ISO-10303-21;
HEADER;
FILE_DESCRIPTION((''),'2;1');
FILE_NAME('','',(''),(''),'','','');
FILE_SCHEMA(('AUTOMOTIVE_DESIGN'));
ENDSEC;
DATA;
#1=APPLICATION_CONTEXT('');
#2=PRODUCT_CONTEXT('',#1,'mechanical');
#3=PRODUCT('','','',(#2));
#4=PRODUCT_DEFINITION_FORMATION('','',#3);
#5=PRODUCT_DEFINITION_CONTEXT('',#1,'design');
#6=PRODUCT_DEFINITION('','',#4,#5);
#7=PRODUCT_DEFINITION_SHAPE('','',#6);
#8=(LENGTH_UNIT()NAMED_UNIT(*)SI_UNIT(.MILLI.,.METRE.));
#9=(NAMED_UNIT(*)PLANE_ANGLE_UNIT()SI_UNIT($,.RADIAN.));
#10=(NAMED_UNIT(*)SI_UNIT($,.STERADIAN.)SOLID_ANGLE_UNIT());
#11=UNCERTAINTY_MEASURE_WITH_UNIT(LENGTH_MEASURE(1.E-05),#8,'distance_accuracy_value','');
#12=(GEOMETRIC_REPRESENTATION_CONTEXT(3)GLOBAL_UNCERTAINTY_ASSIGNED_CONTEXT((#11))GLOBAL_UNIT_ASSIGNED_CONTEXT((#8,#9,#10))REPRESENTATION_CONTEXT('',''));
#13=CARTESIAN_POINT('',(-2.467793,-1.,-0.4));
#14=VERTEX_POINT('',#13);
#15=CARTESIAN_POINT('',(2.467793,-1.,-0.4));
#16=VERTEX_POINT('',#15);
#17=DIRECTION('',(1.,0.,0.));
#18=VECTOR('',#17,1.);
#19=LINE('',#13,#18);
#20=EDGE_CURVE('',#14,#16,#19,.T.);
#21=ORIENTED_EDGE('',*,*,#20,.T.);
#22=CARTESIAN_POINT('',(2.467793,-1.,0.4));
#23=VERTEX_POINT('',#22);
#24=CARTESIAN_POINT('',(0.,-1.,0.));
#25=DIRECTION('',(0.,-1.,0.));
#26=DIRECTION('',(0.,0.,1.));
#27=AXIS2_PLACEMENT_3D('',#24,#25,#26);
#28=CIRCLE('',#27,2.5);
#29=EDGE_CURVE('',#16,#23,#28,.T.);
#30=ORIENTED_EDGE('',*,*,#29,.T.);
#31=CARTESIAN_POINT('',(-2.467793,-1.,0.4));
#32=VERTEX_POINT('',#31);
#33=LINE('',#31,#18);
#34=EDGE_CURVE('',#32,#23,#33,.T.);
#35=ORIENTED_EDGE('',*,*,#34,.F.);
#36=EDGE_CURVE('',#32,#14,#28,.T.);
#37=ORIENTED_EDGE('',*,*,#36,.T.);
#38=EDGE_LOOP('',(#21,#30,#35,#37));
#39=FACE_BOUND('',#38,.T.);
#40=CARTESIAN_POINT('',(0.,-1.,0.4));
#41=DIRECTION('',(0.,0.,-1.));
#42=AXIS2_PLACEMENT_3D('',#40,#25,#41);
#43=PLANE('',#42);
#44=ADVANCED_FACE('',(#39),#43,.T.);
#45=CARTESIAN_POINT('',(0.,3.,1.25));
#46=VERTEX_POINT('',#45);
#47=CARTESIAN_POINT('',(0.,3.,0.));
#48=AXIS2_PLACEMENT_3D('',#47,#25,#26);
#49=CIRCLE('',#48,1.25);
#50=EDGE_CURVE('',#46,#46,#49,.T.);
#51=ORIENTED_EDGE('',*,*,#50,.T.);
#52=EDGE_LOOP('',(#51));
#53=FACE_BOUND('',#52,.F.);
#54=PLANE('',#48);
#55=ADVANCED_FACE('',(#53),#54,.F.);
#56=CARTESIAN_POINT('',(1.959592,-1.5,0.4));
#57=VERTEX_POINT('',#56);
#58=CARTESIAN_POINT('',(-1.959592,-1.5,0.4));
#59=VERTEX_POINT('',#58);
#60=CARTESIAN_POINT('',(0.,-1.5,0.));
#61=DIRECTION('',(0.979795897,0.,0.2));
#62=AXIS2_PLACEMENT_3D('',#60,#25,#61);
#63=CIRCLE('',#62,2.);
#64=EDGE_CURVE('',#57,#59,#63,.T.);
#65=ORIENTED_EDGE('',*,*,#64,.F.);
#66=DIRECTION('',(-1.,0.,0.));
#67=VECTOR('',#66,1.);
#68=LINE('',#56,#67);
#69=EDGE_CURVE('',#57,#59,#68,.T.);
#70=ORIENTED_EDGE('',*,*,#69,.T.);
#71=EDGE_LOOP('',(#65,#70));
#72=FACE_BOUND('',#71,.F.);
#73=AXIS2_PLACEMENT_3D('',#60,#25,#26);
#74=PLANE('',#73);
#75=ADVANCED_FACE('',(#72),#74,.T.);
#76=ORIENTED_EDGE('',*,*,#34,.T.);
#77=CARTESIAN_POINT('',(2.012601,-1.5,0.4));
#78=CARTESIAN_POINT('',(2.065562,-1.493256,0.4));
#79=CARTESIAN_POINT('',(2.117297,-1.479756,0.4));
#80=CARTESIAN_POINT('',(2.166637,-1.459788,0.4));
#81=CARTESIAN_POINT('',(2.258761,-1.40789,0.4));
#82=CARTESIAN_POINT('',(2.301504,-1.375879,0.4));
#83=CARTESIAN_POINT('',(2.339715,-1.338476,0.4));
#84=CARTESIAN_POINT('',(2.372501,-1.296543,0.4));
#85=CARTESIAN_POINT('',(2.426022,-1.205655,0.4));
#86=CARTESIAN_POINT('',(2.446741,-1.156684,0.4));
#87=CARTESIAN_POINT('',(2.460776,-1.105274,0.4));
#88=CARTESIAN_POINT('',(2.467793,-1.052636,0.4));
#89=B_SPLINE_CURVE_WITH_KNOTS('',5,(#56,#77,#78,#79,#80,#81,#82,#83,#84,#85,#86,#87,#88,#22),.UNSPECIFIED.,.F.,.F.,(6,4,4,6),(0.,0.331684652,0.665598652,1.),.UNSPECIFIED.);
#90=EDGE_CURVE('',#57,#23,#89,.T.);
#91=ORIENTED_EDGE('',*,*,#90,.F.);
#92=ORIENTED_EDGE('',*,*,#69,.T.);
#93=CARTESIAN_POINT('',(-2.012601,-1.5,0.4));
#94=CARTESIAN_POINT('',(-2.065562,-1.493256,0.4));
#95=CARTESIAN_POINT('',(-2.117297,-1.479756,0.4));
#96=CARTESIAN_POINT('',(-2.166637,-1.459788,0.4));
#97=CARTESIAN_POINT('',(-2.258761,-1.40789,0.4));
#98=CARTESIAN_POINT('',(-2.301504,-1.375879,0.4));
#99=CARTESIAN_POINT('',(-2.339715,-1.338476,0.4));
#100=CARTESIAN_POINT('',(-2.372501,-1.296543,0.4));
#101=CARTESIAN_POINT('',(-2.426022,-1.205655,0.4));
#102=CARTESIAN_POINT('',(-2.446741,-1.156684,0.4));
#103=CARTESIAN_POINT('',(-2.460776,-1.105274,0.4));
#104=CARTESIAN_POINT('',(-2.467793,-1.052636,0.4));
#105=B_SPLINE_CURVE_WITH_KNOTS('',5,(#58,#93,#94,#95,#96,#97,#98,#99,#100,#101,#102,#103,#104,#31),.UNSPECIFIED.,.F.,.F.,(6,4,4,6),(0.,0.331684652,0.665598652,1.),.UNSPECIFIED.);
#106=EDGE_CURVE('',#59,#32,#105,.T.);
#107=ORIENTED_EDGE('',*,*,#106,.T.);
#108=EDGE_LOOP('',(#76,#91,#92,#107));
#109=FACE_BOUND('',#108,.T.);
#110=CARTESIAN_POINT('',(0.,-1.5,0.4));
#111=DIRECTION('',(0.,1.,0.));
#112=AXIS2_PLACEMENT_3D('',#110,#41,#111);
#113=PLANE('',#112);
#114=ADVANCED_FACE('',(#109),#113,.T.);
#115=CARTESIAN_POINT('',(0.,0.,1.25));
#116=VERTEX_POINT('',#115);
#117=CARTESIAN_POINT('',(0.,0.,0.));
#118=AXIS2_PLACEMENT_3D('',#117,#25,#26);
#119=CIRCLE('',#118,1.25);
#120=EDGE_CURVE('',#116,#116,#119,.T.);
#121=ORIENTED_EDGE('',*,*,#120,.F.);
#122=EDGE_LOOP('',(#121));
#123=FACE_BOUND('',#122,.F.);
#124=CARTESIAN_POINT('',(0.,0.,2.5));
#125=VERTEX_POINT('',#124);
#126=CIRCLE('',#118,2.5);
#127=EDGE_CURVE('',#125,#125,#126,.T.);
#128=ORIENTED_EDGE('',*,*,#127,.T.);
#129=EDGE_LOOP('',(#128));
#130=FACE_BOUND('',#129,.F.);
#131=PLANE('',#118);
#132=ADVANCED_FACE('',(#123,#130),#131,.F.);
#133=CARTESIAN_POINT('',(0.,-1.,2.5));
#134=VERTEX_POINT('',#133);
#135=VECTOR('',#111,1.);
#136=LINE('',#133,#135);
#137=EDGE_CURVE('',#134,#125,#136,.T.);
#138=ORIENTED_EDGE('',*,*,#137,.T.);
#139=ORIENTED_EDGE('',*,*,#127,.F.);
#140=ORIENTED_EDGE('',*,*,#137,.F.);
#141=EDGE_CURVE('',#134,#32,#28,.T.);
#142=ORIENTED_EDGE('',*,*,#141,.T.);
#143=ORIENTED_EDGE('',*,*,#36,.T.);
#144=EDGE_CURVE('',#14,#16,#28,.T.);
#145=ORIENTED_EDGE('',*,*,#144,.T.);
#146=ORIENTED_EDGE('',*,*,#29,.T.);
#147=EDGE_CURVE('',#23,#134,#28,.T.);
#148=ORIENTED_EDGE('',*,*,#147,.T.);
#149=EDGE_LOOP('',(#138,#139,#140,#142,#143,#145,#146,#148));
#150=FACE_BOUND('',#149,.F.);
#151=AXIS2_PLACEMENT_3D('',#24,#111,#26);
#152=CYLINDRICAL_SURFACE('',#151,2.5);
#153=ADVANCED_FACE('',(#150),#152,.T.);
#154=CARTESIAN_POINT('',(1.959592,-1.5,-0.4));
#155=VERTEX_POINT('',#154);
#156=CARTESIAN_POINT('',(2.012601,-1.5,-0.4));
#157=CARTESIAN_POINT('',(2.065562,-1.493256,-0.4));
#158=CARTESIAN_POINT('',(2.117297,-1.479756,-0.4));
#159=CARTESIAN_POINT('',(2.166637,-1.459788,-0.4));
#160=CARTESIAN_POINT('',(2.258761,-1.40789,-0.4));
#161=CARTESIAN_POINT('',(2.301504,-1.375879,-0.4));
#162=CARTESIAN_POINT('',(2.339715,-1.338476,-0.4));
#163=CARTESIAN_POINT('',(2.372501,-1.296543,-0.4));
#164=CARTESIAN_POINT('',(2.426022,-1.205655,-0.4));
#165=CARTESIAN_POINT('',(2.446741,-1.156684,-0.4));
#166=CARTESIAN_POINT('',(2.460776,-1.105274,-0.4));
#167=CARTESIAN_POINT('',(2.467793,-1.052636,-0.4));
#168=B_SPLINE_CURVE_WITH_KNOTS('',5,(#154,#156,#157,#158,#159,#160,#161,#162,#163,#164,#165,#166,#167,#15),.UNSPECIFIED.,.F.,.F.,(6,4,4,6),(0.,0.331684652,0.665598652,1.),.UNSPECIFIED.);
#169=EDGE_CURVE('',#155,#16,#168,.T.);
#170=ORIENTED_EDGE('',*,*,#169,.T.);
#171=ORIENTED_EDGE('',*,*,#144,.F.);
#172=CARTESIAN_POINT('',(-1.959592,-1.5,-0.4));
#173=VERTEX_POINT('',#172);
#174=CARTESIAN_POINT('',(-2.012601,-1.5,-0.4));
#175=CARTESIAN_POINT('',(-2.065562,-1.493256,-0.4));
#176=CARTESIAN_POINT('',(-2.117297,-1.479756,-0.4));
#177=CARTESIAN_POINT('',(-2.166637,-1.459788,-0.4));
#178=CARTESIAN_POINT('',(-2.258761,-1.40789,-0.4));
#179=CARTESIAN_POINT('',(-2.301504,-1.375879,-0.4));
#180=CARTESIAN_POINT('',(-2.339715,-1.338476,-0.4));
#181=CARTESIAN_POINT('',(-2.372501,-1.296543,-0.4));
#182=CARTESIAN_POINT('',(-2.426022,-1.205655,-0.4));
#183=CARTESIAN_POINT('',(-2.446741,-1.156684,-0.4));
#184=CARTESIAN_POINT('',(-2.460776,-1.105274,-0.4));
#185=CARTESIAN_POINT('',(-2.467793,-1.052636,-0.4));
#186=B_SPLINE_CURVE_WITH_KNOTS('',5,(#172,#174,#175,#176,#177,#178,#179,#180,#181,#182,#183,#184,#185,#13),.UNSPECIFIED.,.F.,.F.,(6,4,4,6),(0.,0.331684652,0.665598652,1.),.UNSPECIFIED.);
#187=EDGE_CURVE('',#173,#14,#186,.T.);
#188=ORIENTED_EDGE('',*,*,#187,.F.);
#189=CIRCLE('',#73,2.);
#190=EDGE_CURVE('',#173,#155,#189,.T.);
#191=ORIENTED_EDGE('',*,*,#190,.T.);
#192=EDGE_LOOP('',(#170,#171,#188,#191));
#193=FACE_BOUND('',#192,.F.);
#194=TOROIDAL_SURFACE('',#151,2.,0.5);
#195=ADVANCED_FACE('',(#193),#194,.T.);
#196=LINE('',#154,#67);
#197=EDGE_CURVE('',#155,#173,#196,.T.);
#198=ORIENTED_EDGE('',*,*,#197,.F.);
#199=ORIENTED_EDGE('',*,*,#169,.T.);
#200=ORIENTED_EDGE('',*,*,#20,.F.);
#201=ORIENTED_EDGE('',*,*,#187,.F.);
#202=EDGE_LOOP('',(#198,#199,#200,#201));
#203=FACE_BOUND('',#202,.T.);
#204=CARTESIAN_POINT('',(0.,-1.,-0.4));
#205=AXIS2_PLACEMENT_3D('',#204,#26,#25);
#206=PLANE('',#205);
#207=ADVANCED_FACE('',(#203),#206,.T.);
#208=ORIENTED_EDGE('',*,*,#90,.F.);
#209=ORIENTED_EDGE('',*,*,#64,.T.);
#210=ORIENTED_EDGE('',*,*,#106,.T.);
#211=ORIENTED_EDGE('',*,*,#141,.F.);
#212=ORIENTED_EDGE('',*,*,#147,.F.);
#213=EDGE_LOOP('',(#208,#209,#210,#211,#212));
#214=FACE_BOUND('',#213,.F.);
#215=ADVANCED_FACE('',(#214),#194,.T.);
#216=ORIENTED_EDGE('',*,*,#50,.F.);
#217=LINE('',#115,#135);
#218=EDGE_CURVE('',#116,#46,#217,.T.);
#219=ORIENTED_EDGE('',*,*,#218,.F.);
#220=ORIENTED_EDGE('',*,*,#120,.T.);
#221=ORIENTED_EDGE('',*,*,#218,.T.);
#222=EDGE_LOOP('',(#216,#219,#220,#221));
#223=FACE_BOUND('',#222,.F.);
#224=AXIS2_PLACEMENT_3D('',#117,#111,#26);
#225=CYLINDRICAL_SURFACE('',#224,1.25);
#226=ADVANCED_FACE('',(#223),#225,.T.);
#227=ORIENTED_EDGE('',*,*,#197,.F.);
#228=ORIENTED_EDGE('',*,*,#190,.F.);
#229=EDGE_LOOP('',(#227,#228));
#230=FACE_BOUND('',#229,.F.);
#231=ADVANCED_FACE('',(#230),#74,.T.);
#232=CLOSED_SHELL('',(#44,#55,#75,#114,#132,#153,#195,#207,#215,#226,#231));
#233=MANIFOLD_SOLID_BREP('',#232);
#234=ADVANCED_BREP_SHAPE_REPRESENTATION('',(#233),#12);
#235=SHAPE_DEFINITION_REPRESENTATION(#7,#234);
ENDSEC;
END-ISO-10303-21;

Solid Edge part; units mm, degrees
sketch "Sketch1" plane through (0, 0, 0) normal (1, 0, 0) x (0, 1, 0)
  line L0 (3, 0) -> (-1.5, 0)
  line L1 (-1.5, 0) -> (-1.5, 2)
  arc A0 (-1.5, 2) -> (-1, 2.5) centre (-1, 2) cw
  line L2 (-1, 2.5) -> (0, 2.5)
  line L3 (0, 2.5) -> (0, 1.25)
  line L4 (0, 1.25) -> (3, 1.25)
  line L5 (3, 1.25) -> (3, 0)
revolve "RevolvedProtrusion1" add sketch "Sketch1" angle 360 about axis through (0, 38.2678, 0) along (0, -1, 0)
sketch "Sketch2" plane through (0, 0, 0) normal (1, 0, 0) x (0, 1, 0)
  line L0 (-1, -0.4) -> (-1.5, -0.4)
  line L1 (-1.5, -0.4) -> (-1.5, 0.4)
  line L2 (-1.5, 0.4) -> (-1, 0.4)
  line L3 (-1, 0.4) -> (-1, -0.4)
extrude "Cutout1" cut sketch "Sketch2" against normal up to next and the other way up to next
